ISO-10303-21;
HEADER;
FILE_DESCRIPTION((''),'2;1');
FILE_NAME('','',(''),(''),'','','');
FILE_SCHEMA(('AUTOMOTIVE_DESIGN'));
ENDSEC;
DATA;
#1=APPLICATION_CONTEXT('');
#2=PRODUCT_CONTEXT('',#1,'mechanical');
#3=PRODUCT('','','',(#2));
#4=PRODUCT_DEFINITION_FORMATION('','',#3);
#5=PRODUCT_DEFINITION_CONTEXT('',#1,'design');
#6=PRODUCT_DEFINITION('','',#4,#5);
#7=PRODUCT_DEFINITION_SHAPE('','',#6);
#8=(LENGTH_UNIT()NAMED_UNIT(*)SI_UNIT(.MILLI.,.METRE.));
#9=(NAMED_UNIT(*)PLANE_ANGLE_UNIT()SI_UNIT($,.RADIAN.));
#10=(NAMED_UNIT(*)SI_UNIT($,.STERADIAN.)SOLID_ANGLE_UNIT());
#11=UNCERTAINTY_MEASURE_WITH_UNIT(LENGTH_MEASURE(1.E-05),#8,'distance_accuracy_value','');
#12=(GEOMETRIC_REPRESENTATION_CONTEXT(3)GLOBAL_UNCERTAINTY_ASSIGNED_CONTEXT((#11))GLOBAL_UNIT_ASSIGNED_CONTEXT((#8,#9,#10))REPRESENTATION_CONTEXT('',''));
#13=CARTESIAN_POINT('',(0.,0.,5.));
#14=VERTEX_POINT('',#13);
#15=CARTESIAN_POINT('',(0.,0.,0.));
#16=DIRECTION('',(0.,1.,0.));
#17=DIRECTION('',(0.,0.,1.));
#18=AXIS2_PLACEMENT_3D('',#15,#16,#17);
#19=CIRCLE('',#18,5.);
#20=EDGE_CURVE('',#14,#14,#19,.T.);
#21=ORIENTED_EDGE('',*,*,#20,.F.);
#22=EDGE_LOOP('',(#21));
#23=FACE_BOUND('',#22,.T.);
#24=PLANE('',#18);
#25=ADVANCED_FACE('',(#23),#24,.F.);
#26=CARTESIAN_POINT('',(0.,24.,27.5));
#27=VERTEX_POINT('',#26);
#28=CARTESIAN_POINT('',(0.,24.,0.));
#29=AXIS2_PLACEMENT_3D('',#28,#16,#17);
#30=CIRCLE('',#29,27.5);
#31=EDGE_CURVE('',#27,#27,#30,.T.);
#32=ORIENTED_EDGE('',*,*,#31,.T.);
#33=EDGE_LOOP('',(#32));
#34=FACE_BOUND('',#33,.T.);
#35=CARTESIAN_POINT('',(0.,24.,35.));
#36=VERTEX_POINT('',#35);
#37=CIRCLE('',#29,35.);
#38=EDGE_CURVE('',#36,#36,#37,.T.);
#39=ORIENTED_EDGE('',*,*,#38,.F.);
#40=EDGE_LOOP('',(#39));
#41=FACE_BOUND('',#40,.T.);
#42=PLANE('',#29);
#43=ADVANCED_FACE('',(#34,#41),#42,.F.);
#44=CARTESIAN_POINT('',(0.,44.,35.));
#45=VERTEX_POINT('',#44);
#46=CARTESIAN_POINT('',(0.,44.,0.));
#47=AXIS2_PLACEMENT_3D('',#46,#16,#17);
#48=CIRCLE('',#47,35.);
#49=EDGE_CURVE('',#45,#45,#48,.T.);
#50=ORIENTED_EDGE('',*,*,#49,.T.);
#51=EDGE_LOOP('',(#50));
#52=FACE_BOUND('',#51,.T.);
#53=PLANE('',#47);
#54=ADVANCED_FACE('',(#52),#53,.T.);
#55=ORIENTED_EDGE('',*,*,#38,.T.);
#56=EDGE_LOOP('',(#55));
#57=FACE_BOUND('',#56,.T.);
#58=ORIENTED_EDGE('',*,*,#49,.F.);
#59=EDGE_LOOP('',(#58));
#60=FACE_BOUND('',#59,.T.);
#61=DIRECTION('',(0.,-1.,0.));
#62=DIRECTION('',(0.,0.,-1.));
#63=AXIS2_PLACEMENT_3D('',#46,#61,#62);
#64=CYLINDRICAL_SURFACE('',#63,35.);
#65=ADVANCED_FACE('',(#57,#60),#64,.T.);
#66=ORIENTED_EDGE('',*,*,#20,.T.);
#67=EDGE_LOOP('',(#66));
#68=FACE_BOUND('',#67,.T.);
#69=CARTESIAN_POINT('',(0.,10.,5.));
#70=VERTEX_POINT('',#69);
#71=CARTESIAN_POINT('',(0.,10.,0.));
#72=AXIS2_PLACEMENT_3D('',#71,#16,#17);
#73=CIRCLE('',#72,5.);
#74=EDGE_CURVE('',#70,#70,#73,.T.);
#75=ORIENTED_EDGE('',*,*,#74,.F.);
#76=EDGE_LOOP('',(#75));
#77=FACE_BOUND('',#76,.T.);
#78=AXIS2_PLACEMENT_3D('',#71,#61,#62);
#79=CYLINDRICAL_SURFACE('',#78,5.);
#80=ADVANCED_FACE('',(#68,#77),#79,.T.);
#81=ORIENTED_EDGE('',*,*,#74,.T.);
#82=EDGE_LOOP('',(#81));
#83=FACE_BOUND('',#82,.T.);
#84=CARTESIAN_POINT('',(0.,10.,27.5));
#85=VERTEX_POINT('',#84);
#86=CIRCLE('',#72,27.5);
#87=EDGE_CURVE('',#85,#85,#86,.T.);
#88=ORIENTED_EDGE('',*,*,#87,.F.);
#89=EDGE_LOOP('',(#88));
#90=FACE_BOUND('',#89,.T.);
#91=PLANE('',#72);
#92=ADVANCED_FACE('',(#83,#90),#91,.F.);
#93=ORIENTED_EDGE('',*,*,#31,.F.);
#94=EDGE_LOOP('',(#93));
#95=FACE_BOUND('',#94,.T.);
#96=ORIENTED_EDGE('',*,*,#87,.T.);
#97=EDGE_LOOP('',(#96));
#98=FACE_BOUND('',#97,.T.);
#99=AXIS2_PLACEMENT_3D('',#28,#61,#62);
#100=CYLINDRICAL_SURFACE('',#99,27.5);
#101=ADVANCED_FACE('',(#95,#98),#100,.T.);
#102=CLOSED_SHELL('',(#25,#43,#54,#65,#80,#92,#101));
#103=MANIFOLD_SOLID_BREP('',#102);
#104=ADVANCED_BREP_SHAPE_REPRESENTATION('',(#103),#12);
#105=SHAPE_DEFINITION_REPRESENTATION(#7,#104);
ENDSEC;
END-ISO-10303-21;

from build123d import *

# Parameters (mm, degrees)
SKETCH1_R           = 5
BOSS_EXTRUDE1_DEPTH = 10
SKETCH2_R           = 27.5
BOSS_EXTRUDE2_DEPTH = 14
SKETCH3_R           = 35
BOSS_EXTRUDE3_DEPTH = 20


with BuildPart() as part:
    # Sketch1 → Boss-Extrude1 (new body)
    with BuildSketch(Plane(origin=(0, 0, 0), x_dir=(1, 0, 0), z_dir=(0, 1, 0))):
        with Locations(Location((0, 0, 0), (0, 0, 270))):
            Circle(SKETCH1_R)
    extrude(amount=BOSS_EXTRUDE1_DEPTH)

    # Sketch2 → Boss-Extrude2 (add)
    with BuildSketch(Plane(origin=(0, 10, 0), x_dir=(1, 0, 0), z_dir=(0, 1, 0))):
        with Locations(Location((0, 0, 0), (0, 0, 270))):
            Circle(SKETCH2_R)
    extrude(amount=BOSS_EXTRUDE2_DEPTH)

    # Sketch3 → Boss-Extrude3 (add)
    with BuildSketch(Plane(origin=(0, 24, 0), x_dir=(1, 0, 0), z_dir=(0, 1, 0))):
        with Locations(Location((0, 0, 0), (0, 0, 270))):
            Circle(SKETCH3_R)
    extrude(amount=BOSS_EXTRUDE3_DEPTH)


solid = part.part
